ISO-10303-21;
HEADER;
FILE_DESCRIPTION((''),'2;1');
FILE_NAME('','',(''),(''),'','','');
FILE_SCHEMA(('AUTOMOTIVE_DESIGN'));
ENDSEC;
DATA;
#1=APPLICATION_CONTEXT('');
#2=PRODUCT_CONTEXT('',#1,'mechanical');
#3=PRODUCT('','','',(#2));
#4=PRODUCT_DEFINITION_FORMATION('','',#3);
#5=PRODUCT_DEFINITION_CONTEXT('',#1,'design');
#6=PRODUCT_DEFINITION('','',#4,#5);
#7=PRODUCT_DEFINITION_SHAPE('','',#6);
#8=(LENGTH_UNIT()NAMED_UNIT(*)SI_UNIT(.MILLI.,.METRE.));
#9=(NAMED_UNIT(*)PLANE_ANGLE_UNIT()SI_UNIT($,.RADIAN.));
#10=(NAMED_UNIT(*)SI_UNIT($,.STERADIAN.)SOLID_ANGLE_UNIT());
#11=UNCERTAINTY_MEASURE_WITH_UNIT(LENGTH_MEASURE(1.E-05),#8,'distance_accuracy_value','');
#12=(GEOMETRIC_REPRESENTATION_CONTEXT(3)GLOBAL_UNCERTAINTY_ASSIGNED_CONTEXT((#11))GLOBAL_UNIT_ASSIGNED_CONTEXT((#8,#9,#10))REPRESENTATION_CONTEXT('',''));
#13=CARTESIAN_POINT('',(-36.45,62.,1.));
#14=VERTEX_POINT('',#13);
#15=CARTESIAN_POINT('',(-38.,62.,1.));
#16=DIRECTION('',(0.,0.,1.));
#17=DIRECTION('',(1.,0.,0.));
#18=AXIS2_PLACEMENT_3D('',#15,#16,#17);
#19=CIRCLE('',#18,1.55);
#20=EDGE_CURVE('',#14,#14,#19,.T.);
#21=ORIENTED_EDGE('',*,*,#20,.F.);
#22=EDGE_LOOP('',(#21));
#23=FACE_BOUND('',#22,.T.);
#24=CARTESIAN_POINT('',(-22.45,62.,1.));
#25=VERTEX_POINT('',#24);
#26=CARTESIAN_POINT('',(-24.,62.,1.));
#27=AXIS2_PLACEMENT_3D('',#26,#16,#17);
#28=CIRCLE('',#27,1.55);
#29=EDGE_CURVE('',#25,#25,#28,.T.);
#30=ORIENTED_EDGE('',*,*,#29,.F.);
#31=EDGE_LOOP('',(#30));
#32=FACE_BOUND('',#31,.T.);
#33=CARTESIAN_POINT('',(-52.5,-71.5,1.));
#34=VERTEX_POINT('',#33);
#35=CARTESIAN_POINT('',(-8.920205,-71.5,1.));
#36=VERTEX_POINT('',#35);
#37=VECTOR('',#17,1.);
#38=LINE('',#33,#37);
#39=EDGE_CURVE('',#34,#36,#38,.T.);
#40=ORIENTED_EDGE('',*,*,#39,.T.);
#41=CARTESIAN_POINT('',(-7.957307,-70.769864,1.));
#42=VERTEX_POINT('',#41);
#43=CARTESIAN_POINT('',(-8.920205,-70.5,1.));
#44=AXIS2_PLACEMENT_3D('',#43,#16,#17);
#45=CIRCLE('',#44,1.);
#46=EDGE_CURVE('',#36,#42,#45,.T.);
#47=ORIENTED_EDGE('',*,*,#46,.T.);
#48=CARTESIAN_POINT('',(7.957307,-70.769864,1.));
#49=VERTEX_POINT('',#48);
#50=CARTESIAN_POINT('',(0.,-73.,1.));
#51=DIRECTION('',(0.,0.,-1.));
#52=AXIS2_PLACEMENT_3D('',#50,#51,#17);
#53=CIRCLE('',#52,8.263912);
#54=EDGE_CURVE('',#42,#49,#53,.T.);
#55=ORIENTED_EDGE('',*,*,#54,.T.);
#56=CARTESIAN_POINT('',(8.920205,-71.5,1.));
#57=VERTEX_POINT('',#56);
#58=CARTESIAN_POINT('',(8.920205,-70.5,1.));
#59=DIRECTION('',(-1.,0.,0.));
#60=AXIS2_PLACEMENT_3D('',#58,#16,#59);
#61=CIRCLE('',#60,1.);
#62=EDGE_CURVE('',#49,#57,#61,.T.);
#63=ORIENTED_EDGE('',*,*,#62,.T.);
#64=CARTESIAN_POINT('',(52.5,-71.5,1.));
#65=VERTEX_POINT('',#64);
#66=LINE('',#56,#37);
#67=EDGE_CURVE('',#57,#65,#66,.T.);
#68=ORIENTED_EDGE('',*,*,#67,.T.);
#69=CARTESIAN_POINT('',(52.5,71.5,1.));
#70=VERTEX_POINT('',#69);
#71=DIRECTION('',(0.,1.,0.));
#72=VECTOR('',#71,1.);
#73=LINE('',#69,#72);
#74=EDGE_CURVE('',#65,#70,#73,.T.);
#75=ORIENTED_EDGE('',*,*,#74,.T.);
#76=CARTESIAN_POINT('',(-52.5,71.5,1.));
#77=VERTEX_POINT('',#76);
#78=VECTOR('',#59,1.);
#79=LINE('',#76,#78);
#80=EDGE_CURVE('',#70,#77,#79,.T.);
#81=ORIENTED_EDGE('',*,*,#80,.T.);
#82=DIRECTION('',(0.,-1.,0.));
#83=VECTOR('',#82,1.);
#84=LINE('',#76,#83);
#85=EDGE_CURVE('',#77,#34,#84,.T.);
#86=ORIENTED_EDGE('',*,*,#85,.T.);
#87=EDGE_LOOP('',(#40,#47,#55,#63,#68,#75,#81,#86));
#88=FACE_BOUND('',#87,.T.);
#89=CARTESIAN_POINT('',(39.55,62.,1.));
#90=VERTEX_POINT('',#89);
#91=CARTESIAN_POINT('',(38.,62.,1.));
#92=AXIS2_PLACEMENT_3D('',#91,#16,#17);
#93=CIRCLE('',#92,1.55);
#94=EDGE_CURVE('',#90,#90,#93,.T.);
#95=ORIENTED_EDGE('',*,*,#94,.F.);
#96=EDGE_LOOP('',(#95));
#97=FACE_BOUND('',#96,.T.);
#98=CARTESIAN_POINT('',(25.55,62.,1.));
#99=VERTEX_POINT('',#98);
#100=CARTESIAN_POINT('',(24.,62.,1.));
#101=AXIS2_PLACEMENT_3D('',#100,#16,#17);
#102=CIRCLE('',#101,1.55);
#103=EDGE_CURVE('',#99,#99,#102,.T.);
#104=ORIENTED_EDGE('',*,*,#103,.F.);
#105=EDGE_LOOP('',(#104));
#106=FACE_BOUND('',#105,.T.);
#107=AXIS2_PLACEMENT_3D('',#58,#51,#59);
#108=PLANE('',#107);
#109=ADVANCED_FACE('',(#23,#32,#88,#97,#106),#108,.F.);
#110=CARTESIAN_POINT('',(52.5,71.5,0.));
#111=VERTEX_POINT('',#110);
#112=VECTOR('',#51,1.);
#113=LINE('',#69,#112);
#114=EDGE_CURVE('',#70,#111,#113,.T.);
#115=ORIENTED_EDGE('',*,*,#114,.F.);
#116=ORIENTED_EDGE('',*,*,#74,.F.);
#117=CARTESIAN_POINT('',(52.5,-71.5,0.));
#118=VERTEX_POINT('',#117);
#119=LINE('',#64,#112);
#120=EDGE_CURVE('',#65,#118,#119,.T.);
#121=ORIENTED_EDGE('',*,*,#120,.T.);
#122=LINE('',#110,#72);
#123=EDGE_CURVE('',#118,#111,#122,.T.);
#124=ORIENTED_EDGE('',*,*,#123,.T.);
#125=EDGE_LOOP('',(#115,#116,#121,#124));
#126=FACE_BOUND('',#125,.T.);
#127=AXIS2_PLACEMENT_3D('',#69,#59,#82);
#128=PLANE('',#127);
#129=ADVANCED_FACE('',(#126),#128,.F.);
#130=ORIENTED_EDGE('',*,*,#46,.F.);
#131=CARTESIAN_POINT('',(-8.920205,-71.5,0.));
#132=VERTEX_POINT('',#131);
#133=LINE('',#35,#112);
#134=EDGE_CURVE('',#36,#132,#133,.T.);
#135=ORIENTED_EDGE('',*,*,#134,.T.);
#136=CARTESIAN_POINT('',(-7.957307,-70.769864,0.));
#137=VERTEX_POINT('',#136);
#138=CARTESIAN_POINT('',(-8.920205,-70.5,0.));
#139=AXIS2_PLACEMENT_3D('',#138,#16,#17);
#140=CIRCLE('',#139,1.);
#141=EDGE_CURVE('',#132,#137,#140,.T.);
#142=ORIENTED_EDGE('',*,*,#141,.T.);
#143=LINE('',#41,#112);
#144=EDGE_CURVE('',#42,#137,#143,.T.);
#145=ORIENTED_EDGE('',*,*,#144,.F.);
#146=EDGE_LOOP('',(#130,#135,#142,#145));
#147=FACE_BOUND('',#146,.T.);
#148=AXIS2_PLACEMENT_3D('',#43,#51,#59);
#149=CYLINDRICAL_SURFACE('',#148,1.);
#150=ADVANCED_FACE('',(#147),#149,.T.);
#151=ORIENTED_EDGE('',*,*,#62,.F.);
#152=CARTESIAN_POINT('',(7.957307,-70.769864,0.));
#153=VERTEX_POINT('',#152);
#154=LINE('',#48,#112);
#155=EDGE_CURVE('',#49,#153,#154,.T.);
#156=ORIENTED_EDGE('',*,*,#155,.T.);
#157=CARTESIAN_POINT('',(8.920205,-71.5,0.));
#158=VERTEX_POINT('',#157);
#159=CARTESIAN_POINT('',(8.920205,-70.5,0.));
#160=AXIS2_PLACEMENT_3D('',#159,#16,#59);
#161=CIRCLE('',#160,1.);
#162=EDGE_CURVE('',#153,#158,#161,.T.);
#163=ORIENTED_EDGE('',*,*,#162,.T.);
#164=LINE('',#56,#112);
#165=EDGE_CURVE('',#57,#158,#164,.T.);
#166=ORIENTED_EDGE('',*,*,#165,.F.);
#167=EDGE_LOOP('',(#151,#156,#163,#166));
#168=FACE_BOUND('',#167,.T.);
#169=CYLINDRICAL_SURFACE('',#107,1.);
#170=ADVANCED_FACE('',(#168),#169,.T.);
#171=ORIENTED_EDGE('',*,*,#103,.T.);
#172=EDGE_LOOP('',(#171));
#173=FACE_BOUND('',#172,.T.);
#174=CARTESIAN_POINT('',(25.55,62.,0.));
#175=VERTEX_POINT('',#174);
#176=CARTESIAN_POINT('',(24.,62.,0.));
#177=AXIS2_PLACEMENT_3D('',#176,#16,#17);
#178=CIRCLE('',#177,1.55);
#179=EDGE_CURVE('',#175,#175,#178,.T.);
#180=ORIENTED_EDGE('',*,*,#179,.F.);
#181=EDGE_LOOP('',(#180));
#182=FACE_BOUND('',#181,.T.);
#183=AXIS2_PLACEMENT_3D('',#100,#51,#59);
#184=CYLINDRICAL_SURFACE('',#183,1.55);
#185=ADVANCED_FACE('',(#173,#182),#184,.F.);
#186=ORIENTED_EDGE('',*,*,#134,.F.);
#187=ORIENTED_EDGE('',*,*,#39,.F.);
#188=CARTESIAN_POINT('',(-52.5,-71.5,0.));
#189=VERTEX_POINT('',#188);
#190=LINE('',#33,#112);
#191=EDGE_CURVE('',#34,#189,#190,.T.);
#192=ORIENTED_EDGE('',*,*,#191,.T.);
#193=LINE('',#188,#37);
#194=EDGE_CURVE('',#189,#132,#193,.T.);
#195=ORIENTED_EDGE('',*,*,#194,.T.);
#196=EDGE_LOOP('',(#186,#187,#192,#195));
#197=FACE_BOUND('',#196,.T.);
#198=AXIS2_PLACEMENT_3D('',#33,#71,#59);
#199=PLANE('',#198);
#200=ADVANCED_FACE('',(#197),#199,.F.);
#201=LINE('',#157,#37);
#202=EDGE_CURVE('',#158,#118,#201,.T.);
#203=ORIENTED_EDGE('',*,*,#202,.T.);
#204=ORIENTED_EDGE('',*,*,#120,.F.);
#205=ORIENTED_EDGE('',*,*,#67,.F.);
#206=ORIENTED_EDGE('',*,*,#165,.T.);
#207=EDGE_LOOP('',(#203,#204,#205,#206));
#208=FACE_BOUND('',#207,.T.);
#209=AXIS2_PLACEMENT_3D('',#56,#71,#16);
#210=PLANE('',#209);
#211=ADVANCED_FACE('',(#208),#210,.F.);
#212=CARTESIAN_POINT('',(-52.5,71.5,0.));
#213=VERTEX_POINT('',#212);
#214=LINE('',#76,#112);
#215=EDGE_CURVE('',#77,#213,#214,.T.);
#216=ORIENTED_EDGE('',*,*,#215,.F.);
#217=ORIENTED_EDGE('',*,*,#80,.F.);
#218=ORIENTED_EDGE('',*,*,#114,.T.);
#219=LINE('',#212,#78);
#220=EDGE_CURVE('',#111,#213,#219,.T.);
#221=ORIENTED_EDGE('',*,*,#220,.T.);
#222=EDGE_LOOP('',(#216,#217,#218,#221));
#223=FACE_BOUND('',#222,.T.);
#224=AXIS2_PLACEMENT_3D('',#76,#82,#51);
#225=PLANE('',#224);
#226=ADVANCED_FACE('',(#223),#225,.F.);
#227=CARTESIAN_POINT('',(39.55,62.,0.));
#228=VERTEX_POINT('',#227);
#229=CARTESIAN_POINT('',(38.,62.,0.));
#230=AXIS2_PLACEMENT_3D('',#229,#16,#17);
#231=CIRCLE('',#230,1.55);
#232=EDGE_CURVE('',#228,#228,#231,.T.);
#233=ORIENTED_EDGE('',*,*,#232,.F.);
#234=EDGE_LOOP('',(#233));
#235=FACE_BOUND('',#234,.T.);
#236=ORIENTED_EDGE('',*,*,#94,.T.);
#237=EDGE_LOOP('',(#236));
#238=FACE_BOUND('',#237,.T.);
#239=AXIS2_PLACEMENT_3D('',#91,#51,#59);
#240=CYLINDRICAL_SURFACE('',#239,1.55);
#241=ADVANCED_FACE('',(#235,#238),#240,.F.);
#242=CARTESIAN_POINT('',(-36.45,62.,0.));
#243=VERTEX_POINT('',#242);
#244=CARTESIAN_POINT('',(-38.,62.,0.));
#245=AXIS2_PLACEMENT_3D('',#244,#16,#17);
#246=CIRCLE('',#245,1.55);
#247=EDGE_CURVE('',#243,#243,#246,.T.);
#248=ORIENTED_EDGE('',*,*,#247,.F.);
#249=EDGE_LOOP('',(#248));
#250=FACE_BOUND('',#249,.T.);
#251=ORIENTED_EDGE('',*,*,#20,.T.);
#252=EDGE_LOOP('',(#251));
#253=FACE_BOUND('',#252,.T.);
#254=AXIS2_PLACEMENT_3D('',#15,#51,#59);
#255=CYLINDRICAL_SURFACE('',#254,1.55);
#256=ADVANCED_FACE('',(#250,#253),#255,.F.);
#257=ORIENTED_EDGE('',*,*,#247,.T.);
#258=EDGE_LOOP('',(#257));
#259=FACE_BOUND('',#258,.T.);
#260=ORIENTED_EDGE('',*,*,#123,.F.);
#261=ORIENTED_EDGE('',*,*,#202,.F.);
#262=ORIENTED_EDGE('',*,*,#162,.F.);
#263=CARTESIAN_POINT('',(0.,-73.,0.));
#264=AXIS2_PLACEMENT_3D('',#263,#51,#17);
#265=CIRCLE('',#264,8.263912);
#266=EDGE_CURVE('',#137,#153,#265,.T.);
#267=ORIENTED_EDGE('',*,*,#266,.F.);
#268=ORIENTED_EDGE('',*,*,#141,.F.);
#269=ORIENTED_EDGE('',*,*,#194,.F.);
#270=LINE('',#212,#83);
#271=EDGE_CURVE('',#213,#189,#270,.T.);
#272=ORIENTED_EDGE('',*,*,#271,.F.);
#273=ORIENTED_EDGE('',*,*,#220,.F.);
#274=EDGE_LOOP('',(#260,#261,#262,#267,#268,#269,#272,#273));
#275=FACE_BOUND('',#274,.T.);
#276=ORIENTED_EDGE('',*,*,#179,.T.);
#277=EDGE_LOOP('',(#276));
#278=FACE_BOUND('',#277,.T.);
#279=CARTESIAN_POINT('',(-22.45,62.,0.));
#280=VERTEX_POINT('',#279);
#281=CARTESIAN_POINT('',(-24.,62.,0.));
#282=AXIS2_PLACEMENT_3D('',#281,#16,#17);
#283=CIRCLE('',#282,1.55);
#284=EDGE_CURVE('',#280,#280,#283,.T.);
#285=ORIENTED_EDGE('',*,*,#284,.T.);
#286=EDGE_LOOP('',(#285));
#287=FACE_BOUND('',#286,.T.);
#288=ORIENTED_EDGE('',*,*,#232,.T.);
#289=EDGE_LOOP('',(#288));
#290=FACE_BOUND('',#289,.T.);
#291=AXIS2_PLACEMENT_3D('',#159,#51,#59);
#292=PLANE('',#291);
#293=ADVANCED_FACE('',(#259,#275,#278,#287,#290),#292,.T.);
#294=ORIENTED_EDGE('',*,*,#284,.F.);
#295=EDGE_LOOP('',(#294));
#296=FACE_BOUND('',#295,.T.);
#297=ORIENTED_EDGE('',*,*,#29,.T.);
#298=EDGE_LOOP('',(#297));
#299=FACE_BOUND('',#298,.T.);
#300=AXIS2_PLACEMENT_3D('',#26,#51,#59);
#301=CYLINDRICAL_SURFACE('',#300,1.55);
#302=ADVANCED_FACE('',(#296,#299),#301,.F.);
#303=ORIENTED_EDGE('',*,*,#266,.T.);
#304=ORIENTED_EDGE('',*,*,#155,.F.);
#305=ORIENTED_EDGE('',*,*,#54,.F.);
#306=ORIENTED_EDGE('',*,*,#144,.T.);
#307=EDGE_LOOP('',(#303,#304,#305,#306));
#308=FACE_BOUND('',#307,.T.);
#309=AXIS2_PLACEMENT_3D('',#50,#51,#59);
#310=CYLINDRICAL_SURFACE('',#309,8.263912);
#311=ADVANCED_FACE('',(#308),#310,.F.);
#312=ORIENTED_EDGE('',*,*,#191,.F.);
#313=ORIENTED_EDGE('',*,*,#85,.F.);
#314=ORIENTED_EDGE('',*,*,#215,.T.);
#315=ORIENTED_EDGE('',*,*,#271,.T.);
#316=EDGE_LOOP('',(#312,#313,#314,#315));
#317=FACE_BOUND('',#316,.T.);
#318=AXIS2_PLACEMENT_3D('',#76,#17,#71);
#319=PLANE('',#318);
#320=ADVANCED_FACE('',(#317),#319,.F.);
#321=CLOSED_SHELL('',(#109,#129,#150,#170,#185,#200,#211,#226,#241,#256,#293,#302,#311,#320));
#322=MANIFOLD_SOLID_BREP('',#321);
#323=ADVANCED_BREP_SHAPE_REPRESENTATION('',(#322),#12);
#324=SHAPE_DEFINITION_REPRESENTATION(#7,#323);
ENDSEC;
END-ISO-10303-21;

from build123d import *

# Parameters (mm, degrees)
SKETCH_1_R      = 1.55
EXTRUDE_1_DEPTH = 1


with BuildPart() as part:
    # 草图1 → 凸台-拉伸1 (new body)
    with BuildSketch(Plane.XY):
        with BuildLine():
            Line((8.920204993, -71.5), (52.5, -71.5))
            Line((52.5, -71.5), (52.5, 71.5))
            Line((52.5, 71.5), (-52.5, 71.5))
            Line((-52.5, 71.5), (-52.5, -71.5))
            Line((-52.5, -71.5), (-8.920204993, -71.5))
            ThreePointArc((-8.920204993, -71.5), (-8.315996588, -71.296826332), (-7.957306659, -70.769864407))
            ThreePointArc((-7.957306659, -70.769864407), (0, -64.736088455), (7.957306659, -70.769864407))
            ThreePointArc((7.957306659, -70.769864407), (8.315996588, -71.296826332), (8.920204993, -71.5))
        make_face()
        with Locations((-38, 62)):
            Circle(SKETCH_1_R, mode=Mode.SUBTRACT)
        with Locations((-24, 62)):
            Circle(SKETCH_1_R, mode=Mode.SUBTRACT)
        with Locations((24, 62)):
            Circle(SKETCH_1_R, mode=Mode.SUBTRACT)
        with Locations((38, 62)):
            Circle(SKETCH_1_R, mode=Mode.SUBTRACT)
    extrude(amount=EXTRUDE_1_DEPTH)


solid = part.part
